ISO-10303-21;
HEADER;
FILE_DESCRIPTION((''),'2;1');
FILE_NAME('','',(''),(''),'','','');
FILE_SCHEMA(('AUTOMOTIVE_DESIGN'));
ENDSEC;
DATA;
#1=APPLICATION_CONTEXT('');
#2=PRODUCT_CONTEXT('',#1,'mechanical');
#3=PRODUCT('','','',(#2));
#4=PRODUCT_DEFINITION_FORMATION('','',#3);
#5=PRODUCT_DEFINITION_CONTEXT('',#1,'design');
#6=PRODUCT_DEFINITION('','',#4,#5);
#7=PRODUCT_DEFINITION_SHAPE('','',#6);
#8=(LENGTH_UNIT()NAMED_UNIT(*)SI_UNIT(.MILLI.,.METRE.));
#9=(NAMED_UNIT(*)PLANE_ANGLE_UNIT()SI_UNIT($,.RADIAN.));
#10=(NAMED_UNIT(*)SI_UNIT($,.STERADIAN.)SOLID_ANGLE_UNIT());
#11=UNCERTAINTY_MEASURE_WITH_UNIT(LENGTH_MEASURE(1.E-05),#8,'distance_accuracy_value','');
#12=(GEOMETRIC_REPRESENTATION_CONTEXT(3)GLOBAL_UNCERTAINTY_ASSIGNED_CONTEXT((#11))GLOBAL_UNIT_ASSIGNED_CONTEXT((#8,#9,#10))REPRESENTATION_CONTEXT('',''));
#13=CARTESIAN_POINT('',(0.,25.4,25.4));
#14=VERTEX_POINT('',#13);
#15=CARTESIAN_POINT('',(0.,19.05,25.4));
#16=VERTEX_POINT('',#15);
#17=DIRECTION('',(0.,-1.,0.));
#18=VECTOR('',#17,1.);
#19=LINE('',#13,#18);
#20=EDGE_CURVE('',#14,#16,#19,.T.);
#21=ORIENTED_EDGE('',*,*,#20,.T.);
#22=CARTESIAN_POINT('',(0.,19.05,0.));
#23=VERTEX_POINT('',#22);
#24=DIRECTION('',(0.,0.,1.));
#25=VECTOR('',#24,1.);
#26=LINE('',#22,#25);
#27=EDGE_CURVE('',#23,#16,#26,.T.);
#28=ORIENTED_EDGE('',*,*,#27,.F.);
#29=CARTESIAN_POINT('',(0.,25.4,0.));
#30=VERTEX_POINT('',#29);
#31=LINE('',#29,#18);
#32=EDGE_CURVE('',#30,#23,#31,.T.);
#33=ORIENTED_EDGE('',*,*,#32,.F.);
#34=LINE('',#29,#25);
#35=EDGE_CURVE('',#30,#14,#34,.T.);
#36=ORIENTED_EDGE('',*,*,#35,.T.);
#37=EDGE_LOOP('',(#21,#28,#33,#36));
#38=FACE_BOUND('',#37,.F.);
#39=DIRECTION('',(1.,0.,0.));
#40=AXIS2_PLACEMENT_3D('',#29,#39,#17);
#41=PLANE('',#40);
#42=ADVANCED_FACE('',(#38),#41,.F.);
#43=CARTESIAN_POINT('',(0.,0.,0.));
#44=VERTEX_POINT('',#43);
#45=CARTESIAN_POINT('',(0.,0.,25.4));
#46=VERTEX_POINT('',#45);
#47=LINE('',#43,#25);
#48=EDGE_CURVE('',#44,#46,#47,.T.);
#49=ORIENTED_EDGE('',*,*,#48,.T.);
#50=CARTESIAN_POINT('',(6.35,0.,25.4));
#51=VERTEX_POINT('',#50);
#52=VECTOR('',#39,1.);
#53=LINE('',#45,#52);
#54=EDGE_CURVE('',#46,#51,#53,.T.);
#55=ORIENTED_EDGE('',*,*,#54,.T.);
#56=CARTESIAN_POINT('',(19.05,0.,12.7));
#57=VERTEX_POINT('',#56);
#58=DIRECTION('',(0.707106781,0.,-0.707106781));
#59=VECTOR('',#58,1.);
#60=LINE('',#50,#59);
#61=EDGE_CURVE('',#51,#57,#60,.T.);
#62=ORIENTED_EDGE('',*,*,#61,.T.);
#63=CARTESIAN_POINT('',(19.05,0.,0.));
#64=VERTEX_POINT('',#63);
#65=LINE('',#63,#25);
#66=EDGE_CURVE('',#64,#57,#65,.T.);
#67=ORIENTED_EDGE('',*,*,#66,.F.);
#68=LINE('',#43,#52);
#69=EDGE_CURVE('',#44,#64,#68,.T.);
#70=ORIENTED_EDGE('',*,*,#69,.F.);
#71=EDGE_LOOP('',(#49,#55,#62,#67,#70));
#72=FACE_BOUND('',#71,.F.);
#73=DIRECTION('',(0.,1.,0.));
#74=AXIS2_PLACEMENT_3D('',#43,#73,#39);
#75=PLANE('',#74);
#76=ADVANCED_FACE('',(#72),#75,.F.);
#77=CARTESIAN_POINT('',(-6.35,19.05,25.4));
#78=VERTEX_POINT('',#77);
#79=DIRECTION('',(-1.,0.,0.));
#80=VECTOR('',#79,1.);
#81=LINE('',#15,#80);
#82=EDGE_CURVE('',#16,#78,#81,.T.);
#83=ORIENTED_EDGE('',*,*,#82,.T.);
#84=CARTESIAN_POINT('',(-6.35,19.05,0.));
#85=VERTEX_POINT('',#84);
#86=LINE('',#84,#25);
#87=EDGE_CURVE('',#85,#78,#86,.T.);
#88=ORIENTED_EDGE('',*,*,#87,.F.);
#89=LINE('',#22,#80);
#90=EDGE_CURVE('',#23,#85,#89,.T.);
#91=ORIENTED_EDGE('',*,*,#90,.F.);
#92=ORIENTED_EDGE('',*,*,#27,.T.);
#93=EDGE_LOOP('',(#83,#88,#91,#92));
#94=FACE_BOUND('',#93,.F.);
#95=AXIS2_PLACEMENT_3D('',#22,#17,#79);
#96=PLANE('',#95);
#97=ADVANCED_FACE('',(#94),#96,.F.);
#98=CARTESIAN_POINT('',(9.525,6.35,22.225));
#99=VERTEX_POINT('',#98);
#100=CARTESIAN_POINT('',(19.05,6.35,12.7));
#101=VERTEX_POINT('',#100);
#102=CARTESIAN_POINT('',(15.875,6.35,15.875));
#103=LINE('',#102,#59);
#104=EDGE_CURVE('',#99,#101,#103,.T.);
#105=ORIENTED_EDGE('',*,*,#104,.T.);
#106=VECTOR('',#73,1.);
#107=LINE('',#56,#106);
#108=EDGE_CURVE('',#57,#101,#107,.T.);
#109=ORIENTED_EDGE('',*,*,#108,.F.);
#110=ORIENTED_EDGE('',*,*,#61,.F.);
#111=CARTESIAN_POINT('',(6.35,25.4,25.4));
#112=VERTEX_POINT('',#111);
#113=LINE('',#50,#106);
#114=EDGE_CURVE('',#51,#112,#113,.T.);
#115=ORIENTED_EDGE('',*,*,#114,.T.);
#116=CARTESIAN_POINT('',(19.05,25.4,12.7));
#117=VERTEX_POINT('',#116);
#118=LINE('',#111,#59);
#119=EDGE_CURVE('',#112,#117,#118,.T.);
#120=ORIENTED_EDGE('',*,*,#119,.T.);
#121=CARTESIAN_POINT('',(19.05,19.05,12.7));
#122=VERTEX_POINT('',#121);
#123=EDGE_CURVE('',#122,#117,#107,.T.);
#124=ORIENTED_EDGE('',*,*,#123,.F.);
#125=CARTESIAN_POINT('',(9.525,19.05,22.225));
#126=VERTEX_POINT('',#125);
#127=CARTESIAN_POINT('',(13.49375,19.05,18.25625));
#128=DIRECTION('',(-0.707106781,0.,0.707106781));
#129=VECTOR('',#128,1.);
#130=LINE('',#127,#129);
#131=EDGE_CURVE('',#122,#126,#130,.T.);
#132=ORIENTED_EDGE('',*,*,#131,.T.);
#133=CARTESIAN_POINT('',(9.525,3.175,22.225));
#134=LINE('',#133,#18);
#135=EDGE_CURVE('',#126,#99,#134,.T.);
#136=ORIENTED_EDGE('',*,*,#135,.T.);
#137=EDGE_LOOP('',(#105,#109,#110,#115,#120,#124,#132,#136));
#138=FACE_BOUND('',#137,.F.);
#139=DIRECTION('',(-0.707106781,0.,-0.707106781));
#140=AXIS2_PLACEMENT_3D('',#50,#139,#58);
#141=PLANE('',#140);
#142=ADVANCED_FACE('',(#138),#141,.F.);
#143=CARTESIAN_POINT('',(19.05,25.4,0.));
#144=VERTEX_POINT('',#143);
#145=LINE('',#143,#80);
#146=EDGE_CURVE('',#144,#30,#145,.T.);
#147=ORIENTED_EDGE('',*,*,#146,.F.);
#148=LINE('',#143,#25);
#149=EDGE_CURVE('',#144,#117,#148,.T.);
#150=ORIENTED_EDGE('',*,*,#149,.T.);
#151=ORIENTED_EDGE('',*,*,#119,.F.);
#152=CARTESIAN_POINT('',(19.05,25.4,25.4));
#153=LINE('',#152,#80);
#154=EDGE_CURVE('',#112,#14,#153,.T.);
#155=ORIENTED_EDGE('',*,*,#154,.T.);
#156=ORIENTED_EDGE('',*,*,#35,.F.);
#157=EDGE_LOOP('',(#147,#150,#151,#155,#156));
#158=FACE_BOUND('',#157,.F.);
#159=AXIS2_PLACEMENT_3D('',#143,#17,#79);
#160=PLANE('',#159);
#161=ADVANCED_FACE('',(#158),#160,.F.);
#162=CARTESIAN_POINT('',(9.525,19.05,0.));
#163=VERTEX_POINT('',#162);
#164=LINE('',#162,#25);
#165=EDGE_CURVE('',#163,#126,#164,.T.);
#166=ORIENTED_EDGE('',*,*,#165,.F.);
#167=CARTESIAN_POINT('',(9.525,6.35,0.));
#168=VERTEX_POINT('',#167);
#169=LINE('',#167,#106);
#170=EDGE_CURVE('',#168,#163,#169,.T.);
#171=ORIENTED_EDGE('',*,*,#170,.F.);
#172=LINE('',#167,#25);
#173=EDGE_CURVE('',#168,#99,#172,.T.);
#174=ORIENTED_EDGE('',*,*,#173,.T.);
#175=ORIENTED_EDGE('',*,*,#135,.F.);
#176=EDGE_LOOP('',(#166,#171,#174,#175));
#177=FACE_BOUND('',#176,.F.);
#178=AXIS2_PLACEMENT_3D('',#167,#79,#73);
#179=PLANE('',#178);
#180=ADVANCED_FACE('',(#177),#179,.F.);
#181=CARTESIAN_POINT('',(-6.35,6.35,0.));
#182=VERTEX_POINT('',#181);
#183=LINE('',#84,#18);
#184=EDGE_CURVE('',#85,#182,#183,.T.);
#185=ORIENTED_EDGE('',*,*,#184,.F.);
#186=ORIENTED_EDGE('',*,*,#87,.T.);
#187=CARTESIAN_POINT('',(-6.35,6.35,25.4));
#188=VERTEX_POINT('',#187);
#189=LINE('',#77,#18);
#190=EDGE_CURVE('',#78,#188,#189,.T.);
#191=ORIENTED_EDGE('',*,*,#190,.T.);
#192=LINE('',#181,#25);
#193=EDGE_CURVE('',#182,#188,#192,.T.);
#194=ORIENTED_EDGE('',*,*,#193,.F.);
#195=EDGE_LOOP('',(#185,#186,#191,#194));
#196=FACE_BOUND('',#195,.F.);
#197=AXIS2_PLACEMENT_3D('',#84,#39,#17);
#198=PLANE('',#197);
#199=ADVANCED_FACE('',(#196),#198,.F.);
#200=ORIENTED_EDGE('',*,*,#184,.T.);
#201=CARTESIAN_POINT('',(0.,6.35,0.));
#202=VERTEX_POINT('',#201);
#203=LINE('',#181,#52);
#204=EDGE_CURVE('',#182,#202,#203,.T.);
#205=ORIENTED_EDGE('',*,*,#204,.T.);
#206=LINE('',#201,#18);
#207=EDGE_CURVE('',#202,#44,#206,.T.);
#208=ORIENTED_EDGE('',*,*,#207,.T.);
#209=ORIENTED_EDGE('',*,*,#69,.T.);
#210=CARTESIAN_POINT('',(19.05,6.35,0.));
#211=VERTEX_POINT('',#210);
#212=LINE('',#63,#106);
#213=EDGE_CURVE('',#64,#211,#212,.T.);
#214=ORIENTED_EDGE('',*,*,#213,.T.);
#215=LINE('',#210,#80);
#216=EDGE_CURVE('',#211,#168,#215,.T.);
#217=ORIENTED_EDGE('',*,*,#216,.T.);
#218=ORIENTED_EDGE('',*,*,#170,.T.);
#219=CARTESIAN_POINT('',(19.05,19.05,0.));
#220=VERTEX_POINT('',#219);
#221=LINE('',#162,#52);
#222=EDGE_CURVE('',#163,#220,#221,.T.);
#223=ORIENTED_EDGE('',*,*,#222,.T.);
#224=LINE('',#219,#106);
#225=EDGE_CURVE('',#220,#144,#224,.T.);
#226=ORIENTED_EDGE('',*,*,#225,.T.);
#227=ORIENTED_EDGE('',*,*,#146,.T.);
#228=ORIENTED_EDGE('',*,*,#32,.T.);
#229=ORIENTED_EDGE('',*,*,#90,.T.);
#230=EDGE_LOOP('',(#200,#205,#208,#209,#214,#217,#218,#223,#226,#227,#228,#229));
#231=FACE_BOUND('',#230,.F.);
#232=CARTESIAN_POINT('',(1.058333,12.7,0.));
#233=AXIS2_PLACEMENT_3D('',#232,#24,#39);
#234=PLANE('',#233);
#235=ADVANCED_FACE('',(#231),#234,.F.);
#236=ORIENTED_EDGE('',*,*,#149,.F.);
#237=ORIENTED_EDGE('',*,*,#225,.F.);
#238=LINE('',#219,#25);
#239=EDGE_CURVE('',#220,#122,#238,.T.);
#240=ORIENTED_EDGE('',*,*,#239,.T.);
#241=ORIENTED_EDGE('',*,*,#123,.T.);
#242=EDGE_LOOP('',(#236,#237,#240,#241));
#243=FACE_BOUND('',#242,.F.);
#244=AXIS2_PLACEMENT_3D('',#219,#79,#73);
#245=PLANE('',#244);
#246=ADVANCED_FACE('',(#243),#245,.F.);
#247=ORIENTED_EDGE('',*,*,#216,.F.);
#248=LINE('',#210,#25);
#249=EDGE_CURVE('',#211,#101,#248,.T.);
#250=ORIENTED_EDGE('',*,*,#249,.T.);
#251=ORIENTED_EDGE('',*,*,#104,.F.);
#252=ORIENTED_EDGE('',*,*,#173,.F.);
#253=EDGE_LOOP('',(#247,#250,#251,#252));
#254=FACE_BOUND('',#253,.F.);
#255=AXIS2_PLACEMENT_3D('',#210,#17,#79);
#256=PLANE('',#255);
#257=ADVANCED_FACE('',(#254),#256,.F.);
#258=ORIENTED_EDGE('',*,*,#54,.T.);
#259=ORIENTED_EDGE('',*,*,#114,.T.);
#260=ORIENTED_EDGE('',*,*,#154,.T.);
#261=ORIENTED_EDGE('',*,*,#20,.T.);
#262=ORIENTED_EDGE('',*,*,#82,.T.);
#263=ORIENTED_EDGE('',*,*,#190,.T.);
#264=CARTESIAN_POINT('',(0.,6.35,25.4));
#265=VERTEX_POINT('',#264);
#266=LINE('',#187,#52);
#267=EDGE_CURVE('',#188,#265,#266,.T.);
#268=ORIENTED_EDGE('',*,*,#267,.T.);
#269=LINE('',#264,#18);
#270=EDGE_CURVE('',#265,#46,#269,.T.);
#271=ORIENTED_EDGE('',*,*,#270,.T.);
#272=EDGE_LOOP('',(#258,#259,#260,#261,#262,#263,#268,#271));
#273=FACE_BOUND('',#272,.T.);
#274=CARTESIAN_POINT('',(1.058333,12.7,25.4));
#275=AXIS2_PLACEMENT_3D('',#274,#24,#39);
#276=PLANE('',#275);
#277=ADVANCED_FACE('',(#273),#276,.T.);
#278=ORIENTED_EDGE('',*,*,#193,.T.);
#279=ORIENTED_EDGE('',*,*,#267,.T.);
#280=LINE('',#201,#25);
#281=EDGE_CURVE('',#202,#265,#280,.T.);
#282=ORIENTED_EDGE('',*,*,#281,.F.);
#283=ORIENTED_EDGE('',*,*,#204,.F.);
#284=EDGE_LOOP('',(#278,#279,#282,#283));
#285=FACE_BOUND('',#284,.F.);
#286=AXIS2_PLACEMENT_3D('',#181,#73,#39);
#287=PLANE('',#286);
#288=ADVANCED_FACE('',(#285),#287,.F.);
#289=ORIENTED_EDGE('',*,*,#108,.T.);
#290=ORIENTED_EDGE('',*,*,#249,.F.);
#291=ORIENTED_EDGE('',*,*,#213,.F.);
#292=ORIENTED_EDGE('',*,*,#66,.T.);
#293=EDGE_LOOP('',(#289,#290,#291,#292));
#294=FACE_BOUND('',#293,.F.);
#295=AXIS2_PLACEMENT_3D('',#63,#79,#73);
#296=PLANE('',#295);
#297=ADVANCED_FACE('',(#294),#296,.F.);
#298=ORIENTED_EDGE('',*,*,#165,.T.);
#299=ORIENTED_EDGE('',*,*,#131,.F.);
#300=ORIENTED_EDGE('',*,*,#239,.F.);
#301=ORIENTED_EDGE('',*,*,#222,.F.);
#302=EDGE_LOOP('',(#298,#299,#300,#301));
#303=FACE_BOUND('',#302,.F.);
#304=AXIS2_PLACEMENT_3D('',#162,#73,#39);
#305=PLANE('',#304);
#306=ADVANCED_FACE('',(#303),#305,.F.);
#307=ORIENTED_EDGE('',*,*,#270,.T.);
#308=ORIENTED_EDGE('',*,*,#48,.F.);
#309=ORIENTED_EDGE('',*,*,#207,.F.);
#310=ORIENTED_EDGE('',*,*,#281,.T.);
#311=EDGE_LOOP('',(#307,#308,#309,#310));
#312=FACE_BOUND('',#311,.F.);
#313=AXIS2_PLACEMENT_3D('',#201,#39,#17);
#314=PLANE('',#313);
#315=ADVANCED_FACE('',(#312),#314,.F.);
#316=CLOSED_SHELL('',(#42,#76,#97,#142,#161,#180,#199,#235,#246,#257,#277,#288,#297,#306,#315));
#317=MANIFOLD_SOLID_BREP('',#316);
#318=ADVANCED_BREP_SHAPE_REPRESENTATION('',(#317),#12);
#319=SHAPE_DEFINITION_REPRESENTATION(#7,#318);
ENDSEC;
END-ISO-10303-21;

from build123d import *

# Parameters (mm, degrees)
F1_DEPTH = 25.4
F3_DEPTH = 25.4


with BuildPart() as f1:
    # F0 (on Top) → F1 (new body)
    with BuildSketch(Plane.XY):
        Polygon((0, 6.35), (0, 0), (6.35, 0), (6.35, 25.4), (0, 25.4), (0, 19.05), (-6.35, 19.05), (-6.35, 6.35), align=None)
        Polygon((6.35, 25.4), (6.35, 0), (19.05, 0), (19.05, 6.35), (9.525, 6.35), (9.525, 19.05), (19.05, 19.05), (19.05, 25.4), align=None)
    extrude(amount=F1_DEPTH)

    # F2 (on face) → F3 (cut)
    with BuildSketch(Plane.XZ):
        Polygon((19.05, 25.4), (6.35, 25.4), (19.05, 12.7), align=None)
    extrude(amount=-F3_DEPTH, mode=Mode.SUBTRACT)


solid = f1.part
